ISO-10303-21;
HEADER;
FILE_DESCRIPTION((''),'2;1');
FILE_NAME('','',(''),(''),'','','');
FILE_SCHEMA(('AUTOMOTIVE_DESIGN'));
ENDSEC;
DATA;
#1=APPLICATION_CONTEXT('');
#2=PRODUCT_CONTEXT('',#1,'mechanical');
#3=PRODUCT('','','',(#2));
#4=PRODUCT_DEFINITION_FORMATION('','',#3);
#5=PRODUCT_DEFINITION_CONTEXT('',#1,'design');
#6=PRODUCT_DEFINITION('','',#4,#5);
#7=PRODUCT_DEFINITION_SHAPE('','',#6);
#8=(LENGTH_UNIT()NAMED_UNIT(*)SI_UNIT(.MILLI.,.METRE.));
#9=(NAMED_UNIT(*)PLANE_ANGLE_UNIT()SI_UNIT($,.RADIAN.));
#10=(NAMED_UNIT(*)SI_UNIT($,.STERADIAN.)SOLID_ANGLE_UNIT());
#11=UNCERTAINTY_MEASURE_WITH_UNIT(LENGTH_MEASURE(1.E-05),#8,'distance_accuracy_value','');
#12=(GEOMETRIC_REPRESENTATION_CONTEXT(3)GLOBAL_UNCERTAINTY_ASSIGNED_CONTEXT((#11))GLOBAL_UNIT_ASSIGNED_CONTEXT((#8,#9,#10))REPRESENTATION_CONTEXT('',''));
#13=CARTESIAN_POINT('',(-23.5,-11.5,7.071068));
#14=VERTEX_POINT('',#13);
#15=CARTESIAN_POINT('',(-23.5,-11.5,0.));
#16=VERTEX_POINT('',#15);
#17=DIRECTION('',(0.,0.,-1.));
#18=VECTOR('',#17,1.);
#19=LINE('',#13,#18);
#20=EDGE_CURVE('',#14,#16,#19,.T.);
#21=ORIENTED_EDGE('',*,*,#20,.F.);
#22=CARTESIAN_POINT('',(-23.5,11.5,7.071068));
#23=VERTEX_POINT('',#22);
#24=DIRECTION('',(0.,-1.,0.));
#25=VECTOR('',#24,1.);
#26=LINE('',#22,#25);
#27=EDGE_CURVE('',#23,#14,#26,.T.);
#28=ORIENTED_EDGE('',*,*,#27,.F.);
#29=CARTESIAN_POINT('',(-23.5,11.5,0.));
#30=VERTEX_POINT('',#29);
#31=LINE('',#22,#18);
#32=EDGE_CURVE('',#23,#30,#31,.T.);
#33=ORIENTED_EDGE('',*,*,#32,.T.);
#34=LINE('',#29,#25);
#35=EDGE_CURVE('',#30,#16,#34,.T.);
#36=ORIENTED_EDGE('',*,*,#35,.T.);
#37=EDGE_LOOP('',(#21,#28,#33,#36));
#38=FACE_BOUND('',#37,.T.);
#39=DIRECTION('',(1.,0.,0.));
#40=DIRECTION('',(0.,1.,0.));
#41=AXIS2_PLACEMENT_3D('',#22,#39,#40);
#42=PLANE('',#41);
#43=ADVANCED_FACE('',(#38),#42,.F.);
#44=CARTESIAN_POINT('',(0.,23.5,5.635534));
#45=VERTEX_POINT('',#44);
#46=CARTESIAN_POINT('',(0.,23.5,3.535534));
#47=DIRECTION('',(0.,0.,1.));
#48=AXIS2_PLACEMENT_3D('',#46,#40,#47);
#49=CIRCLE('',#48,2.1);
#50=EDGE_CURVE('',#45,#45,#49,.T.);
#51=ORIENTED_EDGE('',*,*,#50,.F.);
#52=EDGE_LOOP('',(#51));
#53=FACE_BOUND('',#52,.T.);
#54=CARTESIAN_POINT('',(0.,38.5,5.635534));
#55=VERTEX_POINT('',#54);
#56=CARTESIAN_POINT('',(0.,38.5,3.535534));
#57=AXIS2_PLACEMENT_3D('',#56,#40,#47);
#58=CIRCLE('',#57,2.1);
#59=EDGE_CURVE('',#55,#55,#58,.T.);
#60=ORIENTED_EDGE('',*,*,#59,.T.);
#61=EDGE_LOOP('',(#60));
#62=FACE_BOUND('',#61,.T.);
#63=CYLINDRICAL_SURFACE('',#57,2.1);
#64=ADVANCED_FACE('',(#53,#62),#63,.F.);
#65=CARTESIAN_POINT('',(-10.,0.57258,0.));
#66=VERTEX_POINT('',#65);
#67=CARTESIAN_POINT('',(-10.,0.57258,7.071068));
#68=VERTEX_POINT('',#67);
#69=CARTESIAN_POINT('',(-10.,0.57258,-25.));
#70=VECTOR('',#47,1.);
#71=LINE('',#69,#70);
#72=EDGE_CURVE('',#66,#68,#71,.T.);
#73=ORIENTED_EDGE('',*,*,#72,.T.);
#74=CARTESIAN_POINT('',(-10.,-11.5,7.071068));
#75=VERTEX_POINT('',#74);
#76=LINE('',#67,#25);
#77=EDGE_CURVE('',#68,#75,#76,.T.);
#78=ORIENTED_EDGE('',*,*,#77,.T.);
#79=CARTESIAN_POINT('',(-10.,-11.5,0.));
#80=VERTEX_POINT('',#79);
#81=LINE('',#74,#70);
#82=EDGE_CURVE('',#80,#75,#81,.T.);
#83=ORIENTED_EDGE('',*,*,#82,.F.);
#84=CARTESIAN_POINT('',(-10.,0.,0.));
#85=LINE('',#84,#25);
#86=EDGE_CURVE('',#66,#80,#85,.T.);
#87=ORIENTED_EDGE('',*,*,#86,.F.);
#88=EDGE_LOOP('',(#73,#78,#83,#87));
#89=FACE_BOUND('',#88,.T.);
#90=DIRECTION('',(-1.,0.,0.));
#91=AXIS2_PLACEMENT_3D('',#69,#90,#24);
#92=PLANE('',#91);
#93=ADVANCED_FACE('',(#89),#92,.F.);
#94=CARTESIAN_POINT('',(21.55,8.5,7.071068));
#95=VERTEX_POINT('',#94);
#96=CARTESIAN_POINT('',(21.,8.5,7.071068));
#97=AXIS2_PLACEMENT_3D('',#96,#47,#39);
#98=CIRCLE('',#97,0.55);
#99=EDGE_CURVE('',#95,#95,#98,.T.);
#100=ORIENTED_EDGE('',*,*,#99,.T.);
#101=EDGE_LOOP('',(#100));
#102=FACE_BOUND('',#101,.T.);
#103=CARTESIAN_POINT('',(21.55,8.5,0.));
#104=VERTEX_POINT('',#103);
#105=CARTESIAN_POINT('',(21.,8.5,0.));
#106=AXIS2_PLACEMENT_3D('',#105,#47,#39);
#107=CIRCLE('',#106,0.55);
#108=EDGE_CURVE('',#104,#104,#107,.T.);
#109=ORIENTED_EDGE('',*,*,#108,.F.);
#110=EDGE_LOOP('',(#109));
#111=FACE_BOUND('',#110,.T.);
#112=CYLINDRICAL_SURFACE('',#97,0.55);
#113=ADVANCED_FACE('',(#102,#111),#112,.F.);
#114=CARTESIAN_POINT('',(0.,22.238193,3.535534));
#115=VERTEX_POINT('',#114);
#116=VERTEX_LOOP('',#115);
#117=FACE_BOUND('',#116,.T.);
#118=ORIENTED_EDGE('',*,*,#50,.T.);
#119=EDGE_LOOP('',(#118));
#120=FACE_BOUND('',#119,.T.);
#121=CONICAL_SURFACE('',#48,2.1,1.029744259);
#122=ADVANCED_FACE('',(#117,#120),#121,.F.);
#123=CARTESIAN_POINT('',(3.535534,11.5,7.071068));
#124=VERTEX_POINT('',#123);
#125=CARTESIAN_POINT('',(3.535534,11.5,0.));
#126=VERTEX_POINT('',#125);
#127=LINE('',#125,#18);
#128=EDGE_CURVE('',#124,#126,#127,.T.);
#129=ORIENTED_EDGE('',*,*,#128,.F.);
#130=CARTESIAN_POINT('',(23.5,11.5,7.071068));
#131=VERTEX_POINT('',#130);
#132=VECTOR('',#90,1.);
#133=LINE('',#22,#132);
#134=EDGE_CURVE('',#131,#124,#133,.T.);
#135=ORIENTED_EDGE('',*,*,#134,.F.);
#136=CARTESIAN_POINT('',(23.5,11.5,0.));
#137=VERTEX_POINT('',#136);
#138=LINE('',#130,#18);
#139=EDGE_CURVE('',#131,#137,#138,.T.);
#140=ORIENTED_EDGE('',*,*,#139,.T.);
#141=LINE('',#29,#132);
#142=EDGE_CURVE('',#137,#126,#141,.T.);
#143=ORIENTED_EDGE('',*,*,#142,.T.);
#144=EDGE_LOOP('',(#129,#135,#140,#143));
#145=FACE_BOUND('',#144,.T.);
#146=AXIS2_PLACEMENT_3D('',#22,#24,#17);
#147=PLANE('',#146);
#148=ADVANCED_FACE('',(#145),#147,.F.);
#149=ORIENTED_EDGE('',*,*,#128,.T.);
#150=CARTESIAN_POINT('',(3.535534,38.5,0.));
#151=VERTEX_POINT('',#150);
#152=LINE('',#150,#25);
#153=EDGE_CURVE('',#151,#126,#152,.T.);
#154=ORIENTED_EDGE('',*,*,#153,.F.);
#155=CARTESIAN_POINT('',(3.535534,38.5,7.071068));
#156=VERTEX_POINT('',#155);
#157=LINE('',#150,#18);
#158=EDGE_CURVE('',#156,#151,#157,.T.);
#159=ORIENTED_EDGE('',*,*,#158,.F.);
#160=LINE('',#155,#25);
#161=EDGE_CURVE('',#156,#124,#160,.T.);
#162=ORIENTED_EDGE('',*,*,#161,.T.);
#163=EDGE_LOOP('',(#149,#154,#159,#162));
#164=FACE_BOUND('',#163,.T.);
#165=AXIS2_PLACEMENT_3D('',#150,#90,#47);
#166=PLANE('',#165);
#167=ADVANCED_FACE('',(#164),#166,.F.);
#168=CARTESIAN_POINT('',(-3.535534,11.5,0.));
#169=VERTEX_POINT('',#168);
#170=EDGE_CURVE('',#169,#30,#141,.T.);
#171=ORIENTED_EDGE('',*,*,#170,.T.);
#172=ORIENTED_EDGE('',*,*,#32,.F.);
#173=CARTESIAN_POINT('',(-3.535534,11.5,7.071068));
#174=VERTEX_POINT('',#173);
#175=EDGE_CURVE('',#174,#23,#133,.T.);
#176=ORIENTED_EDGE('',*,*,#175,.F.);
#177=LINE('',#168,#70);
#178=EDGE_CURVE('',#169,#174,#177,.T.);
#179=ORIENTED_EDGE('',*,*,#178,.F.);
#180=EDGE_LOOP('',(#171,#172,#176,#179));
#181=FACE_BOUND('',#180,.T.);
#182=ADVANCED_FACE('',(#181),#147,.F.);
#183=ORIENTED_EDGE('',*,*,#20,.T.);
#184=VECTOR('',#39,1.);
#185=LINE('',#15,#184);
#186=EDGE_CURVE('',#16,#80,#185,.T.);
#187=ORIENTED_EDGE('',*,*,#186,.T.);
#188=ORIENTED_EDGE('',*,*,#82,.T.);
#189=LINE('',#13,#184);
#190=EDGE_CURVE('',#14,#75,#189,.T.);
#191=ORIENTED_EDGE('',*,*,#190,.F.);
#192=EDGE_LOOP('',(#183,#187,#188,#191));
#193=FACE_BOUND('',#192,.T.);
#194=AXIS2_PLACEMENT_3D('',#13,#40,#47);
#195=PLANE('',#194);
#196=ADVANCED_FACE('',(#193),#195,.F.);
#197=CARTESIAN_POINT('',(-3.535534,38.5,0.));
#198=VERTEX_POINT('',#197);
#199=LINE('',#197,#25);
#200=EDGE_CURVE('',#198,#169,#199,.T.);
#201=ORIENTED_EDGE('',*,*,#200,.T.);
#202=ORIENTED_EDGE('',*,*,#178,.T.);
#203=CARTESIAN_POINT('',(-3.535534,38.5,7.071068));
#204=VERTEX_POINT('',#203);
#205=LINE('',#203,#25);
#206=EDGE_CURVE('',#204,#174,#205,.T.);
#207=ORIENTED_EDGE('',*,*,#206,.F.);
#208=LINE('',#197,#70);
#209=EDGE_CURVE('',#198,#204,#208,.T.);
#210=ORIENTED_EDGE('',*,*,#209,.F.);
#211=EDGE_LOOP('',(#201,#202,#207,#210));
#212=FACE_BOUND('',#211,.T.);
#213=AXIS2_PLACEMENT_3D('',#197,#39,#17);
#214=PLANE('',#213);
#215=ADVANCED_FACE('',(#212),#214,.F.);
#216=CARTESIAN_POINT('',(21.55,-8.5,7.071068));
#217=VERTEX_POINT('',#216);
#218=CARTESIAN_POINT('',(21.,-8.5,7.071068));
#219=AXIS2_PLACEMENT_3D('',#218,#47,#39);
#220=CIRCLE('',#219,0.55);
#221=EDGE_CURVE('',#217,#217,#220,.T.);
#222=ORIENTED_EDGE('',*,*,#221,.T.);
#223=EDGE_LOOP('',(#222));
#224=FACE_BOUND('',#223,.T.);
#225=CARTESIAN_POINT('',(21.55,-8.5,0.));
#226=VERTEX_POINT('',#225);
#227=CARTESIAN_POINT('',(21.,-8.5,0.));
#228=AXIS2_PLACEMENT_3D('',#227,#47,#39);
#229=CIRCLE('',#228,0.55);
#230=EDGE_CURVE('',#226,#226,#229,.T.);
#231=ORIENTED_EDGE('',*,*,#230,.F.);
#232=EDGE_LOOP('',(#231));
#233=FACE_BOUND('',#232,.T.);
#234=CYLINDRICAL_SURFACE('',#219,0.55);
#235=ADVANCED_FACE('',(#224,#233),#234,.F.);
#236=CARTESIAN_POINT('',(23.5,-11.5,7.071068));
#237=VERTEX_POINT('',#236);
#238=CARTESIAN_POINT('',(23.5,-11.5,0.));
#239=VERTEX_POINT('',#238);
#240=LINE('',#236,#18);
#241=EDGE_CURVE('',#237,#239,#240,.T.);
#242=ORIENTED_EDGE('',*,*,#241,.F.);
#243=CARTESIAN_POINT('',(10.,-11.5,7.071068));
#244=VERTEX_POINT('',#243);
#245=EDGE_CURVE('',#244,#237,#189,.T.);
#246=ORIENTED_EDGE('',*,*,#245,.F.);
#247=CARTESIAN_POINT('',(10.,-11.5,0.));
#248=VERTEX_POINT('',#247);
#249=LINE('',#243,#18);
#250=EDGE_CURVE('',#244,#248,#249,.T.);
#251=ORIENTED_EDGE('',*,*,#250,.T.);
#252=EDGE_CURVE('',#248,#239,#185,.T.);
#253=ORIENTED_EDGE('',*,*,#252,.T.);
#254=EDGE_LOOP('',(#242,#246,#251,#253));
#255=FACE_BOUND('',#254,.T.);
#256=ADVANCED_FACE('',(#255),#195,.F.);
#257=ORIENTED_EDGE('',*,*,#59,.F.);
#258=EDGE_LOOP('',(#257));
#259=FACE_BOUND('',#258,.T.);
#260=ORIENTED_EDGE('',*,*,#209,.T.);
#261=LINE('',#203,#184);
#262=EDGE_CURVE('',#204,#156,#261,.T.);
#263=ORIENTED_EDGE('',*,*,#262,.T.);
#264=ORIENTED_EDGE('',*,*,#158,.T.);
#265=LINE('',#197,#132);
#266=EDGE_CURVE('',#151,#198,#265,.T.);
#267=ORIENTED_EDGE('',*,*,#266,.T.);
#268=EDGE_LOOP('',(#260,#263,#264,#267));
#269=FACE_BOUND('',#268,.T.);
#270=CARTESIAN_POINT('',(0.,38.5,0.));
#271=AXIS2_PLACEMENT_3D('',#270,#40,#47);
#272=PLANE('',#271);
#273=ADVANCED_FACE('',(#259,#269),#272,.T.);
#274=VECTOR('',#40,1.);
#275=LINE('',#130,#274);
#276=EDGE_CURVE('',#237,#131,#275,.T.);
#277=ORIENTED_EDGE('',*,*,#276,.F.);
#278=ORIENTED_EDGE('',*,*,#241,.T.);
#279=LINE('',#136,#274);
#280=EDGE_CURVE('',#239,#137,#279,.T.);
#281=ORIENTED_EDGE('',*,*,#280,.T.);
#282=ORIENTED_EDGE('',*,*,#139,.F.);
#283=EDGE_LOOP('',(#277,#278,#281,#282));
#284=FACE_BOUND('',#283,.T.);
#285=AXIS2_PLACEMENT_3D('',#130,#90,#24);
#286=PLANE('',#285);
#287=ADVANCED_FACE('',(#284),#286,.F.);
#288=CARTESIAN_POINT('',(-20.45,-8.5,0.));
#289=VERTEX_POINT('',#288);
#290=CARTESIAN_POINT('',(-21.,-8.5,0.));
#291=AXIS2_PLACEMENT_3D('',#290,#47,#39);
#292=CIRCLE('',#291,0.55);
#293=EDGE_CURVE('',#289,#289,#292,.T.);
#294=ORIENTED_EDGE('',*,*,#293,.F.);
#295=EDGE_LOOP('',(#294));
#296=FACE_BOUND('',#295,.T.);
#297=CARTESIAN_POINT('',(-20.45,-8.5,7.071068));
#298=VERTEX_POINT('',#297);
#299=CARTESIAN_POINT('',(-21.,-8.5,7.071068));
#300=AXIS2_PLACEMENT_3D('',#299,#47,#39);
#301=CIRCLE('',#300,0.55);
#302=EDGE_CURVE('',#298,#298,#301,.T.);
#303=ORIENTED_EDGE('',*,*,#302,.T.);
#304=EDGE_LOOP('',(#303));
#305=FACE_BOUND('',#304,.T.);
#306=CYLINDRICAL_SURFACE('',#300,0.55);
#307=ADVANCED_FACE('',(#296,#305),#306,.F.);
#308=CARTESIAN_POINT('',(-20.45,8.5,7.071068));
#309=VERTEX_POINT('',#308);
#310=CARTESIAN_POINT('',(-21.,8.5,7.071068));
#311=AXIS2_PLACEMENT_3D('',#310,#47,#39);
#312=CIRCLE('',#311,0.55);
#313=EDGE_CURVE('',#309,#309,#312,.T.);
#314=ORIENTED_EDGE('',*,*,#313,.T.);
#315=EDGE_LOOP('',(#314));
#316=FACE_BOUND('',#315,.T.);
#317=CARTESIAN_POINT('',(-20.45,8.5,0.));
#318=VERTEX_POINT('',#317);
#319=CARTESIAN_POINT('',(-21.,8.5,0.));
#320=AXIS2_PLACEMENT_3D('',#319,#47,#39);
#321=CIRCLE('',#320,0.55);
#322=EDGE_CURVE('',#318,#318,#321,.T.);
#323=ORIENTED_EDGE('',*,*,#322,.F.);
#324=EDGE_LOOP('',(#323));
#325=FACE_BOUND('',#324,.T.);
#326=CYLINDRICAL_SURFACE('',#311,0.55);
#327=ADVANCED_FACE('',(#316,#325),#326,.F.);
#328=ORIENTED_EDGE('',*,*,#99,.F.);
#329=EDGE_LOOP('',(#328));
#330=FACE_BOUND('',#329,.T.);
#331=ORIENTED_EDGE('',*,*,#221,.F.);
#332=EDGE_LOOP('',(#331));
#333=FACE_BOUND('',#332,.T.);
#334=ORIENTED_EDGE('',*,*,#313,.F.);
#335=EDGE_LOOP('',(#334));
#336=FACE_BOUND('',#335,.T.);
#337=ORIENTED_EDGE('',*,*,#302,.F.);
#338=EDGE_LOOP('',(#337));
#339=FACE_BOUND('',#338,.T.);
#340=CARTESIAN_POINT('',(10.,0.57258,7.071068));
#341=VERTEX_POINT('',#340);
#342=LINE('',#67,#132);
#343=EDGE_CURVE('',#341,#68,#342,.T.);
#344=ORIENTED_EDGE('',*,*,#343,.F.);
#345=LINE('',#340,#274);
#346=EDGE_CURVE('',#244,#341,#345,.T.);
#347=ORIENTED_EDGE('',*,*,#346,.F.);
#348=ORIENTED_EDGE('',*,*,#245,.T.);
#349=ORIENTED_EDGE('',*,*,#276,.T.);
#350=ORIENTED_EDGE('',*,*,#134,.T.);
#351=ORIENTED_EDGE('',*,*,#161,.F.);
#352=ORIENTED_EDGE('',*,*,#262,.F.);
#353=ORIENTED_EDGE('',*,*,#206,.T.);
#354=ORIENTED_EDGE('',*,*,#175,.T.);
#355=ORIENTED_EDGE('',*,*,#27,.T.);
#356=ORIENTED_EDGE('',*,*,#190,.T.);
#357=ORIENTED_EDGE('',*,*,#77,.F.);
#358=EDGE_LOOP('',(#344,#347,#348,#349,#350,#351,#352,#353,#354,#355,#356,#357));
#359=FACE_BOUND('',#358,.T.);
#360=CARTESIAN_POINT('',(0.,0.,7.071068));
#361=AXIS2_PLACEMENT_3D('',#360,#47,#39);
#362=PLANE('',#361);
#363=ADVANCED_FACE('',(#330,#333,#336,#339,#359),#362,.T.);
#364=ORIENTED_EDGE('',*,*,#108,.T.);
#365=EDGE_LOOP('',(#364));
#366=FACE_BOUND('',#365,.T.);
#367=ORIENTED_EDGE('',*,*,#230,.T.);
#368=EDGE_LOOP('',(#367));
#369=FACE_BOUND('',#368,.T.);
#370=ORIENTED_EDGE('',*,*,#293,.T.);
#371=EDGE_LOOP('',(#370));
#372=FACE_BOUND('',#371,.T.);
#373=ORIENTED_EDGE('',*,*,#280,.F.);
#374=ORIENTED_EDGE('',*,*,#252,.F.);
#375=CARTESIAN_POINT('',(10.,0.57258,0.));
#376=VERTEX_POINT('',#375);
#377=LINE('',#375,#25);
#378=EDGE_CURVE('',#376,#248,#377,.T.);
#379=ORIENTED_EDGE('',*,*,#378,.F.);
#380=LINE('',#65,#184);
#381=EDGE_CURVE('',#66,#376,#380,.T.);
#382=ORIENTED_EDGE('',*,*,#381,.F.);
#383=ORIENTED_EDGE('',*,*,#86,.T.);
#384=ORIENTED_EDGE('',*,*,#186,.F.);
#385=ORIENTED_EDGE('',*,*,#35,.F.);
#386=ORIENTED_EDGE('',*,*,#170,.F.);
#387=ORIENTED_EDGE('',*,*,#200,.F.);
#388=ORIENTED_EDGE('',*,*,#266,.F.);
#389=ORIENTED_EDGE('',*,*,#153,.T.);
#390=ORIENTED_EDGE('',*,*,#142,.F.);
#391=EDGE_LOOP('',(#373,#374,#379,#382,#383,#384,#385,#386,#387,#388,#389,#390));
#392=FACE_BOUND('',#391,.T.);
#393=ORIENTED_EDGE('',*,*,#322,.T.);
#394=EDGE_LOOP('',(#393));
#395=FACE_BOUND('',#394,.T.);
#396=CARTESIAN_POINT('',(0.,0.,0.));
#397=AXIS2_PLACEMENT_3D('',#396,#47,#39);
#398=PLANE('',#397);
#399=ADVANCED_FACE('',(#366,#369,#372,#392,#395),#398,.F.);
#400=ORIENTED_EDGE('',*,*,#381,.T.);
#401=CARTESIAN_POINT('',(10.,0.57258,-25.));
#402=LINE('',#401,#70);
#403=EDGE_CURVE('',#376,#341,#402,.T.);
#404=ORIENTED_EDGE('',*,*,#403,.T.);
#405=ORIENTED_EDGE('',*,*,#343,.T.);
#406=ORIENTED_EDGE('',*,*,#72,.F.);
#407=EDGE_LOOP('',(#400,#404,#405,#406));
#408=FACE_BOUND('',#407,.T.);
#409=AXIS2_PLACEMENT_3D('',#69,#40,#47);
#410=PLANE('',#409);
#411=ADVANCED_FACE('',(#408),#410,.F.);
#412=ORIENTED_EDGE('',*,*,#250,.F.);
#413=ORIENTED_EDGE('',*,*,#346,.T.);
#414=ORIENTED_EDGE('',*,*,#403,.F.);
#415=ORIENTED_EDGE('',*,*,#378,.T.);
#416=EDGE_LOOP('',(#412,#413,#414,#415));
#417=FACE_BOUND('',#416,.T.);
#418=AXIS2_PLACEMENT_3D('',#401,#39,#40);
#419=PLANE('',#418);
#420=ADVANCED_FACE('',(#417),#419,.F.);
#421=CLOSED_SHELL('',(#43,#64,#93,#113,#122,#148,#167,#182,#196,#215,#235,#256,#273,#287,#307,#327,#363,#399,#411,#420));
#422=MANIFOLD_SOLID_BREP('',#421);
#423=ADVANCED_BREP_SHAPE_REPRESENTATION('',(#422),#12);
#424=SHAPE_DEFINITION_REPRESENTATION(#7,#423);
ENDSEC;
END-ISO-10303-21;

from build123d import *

# Parameters (mm, degrees)
ESQUISSE1_W               = 47
ESQUISSE1_H               = 23
BOSS_EXTRU_1_DEPTH        = 7.071067812
TROU_TARAUD_M1_4X0_32_D   = 1.1
ESQUISSE5_W               = 20
ESQUISSE5_H               = 15
ENL_V_MAT_EXTRU_1_DEPTH   = 7.071067812
ESQUISSE6_W               = 20
ESQUISSE6_H               = 10.927419914
BOSS_EXTRU_2_DEPTH        = 7.071067812
ESQUISSE9_W               = 7.071067812
ESQUISSE9_H               = 7.071067812
BOSS_EXTRU_5_DEPTH        = 27
ESQUISSE10_R              = 1.5
ENL_V_MAT_EXTRU_2_DEPTH   = 3
TROU_TARAUD_M5X0_81_D     = 4.2
TROU_TARAUD_M5X0_81_DEPTH = 15
TROU_TARAUD_M5X0_81_TIP   = 1.2618073


with BuildPart() as part:
    # Esquisse1 → Boss.-Extru.1 (new body)
    with BuildSketch(Plane.XY):
        Rectangle(ESQUISSE1_W, ESQUISSE1_H)
    extrude(amount=BOSS_EXTRU_1_DEPTH)

    # Trou taraudé M1.4x0.32 (through all)
    with Locations(Plane(origin=(-21, 8.5, 7.071067812), x_dir=(1, 0, 0), z_dir=(0, 0, 1))):
        with Locations((0, 0), (0, -17), (42, -17), (42, 0)):
            Hole(TROU_TARAUD_M1_4X0_32_D / 2)

    # Esquisse5 → Enlèv. mat.-Extru.1 (cut)
    with BuildSketch(Plane.XY.offset(7.071067812)):
        with Locations((0, -6.927419914)):
            Rectangle(ESQUISSE5_W, ESQUISSE5_H)
    extrude(amount=-ENL_V_MAT_EXTRU_1_DEPTH, mode=Mode.SUBTRACT)

    # Esquisse6 → Boss.-Extru.2 (add)
    with BuildSketch(Plane(origin=(0, 0, 0), x_dir=(-1, 0, 0), z_dir=(0, 0, -1))):
        with Locations((0, 6.036290043)):
            Rectangle(ESQUISSE6_W, ESQUISSE6_H)
    extrude(amount=-BOSS_EXTRU_2_DEPTH)

    # Esquisse9 → Boss.-Extru.5 (add)
    with BuildSketch(Plane(origin=(0, 11.5, 0), x_dir=(1, 0, 0), z_dir=(0, 1, 0))):
        with Locations((0, -3.535533906)):
            Rectangle(ESQUISSE9_W, ESQUISSE9_H)
    extrude(amount=BOSS_EXTRU_5_DEPTH)

    # Esquisse10 → Enlèv. mat.-Extru.2 (cut)
    with BuildSketch(Plane(origin=(0, 38.5, 0), x_dir=(1, 0, 0), z_dir=(0, 1, 0))):
        with Locations(Location((0, -3.535533906, 0), (0, 0, 270))):
            Circle(ESQUISSE10_R)
    extrude(amount=-ENL_V_MAT_EXTRU_2_DEPTH, mode=Mode.SUBTRACT)

    # Trou taraudé M5x0.81
    with Locations(Plane(origin=(0, 38.5, 3.535533906), x_dir=(0, 0, 1), z_dir=(0, 1, 0))):
        with Locations((0, 0)):
            Hole(TROU_TARAUD_M5X0_81_D / 2, depth=TROU_TARAUD_M5X0_81_DEPTH)
            with Locations((0, 0, -(TROU_TARAUD_M5X0_81_DEPTH + TROU_TARAUD_M5X0_81_TIP / 2))):  # 118° drill point
                Cone(0, TROU_TARAUD_M5X0_81_D / 2, TROU_TARAUD_M5X0_81_TIP, mode=Mode.SUBTRACT)


solid = part.part
